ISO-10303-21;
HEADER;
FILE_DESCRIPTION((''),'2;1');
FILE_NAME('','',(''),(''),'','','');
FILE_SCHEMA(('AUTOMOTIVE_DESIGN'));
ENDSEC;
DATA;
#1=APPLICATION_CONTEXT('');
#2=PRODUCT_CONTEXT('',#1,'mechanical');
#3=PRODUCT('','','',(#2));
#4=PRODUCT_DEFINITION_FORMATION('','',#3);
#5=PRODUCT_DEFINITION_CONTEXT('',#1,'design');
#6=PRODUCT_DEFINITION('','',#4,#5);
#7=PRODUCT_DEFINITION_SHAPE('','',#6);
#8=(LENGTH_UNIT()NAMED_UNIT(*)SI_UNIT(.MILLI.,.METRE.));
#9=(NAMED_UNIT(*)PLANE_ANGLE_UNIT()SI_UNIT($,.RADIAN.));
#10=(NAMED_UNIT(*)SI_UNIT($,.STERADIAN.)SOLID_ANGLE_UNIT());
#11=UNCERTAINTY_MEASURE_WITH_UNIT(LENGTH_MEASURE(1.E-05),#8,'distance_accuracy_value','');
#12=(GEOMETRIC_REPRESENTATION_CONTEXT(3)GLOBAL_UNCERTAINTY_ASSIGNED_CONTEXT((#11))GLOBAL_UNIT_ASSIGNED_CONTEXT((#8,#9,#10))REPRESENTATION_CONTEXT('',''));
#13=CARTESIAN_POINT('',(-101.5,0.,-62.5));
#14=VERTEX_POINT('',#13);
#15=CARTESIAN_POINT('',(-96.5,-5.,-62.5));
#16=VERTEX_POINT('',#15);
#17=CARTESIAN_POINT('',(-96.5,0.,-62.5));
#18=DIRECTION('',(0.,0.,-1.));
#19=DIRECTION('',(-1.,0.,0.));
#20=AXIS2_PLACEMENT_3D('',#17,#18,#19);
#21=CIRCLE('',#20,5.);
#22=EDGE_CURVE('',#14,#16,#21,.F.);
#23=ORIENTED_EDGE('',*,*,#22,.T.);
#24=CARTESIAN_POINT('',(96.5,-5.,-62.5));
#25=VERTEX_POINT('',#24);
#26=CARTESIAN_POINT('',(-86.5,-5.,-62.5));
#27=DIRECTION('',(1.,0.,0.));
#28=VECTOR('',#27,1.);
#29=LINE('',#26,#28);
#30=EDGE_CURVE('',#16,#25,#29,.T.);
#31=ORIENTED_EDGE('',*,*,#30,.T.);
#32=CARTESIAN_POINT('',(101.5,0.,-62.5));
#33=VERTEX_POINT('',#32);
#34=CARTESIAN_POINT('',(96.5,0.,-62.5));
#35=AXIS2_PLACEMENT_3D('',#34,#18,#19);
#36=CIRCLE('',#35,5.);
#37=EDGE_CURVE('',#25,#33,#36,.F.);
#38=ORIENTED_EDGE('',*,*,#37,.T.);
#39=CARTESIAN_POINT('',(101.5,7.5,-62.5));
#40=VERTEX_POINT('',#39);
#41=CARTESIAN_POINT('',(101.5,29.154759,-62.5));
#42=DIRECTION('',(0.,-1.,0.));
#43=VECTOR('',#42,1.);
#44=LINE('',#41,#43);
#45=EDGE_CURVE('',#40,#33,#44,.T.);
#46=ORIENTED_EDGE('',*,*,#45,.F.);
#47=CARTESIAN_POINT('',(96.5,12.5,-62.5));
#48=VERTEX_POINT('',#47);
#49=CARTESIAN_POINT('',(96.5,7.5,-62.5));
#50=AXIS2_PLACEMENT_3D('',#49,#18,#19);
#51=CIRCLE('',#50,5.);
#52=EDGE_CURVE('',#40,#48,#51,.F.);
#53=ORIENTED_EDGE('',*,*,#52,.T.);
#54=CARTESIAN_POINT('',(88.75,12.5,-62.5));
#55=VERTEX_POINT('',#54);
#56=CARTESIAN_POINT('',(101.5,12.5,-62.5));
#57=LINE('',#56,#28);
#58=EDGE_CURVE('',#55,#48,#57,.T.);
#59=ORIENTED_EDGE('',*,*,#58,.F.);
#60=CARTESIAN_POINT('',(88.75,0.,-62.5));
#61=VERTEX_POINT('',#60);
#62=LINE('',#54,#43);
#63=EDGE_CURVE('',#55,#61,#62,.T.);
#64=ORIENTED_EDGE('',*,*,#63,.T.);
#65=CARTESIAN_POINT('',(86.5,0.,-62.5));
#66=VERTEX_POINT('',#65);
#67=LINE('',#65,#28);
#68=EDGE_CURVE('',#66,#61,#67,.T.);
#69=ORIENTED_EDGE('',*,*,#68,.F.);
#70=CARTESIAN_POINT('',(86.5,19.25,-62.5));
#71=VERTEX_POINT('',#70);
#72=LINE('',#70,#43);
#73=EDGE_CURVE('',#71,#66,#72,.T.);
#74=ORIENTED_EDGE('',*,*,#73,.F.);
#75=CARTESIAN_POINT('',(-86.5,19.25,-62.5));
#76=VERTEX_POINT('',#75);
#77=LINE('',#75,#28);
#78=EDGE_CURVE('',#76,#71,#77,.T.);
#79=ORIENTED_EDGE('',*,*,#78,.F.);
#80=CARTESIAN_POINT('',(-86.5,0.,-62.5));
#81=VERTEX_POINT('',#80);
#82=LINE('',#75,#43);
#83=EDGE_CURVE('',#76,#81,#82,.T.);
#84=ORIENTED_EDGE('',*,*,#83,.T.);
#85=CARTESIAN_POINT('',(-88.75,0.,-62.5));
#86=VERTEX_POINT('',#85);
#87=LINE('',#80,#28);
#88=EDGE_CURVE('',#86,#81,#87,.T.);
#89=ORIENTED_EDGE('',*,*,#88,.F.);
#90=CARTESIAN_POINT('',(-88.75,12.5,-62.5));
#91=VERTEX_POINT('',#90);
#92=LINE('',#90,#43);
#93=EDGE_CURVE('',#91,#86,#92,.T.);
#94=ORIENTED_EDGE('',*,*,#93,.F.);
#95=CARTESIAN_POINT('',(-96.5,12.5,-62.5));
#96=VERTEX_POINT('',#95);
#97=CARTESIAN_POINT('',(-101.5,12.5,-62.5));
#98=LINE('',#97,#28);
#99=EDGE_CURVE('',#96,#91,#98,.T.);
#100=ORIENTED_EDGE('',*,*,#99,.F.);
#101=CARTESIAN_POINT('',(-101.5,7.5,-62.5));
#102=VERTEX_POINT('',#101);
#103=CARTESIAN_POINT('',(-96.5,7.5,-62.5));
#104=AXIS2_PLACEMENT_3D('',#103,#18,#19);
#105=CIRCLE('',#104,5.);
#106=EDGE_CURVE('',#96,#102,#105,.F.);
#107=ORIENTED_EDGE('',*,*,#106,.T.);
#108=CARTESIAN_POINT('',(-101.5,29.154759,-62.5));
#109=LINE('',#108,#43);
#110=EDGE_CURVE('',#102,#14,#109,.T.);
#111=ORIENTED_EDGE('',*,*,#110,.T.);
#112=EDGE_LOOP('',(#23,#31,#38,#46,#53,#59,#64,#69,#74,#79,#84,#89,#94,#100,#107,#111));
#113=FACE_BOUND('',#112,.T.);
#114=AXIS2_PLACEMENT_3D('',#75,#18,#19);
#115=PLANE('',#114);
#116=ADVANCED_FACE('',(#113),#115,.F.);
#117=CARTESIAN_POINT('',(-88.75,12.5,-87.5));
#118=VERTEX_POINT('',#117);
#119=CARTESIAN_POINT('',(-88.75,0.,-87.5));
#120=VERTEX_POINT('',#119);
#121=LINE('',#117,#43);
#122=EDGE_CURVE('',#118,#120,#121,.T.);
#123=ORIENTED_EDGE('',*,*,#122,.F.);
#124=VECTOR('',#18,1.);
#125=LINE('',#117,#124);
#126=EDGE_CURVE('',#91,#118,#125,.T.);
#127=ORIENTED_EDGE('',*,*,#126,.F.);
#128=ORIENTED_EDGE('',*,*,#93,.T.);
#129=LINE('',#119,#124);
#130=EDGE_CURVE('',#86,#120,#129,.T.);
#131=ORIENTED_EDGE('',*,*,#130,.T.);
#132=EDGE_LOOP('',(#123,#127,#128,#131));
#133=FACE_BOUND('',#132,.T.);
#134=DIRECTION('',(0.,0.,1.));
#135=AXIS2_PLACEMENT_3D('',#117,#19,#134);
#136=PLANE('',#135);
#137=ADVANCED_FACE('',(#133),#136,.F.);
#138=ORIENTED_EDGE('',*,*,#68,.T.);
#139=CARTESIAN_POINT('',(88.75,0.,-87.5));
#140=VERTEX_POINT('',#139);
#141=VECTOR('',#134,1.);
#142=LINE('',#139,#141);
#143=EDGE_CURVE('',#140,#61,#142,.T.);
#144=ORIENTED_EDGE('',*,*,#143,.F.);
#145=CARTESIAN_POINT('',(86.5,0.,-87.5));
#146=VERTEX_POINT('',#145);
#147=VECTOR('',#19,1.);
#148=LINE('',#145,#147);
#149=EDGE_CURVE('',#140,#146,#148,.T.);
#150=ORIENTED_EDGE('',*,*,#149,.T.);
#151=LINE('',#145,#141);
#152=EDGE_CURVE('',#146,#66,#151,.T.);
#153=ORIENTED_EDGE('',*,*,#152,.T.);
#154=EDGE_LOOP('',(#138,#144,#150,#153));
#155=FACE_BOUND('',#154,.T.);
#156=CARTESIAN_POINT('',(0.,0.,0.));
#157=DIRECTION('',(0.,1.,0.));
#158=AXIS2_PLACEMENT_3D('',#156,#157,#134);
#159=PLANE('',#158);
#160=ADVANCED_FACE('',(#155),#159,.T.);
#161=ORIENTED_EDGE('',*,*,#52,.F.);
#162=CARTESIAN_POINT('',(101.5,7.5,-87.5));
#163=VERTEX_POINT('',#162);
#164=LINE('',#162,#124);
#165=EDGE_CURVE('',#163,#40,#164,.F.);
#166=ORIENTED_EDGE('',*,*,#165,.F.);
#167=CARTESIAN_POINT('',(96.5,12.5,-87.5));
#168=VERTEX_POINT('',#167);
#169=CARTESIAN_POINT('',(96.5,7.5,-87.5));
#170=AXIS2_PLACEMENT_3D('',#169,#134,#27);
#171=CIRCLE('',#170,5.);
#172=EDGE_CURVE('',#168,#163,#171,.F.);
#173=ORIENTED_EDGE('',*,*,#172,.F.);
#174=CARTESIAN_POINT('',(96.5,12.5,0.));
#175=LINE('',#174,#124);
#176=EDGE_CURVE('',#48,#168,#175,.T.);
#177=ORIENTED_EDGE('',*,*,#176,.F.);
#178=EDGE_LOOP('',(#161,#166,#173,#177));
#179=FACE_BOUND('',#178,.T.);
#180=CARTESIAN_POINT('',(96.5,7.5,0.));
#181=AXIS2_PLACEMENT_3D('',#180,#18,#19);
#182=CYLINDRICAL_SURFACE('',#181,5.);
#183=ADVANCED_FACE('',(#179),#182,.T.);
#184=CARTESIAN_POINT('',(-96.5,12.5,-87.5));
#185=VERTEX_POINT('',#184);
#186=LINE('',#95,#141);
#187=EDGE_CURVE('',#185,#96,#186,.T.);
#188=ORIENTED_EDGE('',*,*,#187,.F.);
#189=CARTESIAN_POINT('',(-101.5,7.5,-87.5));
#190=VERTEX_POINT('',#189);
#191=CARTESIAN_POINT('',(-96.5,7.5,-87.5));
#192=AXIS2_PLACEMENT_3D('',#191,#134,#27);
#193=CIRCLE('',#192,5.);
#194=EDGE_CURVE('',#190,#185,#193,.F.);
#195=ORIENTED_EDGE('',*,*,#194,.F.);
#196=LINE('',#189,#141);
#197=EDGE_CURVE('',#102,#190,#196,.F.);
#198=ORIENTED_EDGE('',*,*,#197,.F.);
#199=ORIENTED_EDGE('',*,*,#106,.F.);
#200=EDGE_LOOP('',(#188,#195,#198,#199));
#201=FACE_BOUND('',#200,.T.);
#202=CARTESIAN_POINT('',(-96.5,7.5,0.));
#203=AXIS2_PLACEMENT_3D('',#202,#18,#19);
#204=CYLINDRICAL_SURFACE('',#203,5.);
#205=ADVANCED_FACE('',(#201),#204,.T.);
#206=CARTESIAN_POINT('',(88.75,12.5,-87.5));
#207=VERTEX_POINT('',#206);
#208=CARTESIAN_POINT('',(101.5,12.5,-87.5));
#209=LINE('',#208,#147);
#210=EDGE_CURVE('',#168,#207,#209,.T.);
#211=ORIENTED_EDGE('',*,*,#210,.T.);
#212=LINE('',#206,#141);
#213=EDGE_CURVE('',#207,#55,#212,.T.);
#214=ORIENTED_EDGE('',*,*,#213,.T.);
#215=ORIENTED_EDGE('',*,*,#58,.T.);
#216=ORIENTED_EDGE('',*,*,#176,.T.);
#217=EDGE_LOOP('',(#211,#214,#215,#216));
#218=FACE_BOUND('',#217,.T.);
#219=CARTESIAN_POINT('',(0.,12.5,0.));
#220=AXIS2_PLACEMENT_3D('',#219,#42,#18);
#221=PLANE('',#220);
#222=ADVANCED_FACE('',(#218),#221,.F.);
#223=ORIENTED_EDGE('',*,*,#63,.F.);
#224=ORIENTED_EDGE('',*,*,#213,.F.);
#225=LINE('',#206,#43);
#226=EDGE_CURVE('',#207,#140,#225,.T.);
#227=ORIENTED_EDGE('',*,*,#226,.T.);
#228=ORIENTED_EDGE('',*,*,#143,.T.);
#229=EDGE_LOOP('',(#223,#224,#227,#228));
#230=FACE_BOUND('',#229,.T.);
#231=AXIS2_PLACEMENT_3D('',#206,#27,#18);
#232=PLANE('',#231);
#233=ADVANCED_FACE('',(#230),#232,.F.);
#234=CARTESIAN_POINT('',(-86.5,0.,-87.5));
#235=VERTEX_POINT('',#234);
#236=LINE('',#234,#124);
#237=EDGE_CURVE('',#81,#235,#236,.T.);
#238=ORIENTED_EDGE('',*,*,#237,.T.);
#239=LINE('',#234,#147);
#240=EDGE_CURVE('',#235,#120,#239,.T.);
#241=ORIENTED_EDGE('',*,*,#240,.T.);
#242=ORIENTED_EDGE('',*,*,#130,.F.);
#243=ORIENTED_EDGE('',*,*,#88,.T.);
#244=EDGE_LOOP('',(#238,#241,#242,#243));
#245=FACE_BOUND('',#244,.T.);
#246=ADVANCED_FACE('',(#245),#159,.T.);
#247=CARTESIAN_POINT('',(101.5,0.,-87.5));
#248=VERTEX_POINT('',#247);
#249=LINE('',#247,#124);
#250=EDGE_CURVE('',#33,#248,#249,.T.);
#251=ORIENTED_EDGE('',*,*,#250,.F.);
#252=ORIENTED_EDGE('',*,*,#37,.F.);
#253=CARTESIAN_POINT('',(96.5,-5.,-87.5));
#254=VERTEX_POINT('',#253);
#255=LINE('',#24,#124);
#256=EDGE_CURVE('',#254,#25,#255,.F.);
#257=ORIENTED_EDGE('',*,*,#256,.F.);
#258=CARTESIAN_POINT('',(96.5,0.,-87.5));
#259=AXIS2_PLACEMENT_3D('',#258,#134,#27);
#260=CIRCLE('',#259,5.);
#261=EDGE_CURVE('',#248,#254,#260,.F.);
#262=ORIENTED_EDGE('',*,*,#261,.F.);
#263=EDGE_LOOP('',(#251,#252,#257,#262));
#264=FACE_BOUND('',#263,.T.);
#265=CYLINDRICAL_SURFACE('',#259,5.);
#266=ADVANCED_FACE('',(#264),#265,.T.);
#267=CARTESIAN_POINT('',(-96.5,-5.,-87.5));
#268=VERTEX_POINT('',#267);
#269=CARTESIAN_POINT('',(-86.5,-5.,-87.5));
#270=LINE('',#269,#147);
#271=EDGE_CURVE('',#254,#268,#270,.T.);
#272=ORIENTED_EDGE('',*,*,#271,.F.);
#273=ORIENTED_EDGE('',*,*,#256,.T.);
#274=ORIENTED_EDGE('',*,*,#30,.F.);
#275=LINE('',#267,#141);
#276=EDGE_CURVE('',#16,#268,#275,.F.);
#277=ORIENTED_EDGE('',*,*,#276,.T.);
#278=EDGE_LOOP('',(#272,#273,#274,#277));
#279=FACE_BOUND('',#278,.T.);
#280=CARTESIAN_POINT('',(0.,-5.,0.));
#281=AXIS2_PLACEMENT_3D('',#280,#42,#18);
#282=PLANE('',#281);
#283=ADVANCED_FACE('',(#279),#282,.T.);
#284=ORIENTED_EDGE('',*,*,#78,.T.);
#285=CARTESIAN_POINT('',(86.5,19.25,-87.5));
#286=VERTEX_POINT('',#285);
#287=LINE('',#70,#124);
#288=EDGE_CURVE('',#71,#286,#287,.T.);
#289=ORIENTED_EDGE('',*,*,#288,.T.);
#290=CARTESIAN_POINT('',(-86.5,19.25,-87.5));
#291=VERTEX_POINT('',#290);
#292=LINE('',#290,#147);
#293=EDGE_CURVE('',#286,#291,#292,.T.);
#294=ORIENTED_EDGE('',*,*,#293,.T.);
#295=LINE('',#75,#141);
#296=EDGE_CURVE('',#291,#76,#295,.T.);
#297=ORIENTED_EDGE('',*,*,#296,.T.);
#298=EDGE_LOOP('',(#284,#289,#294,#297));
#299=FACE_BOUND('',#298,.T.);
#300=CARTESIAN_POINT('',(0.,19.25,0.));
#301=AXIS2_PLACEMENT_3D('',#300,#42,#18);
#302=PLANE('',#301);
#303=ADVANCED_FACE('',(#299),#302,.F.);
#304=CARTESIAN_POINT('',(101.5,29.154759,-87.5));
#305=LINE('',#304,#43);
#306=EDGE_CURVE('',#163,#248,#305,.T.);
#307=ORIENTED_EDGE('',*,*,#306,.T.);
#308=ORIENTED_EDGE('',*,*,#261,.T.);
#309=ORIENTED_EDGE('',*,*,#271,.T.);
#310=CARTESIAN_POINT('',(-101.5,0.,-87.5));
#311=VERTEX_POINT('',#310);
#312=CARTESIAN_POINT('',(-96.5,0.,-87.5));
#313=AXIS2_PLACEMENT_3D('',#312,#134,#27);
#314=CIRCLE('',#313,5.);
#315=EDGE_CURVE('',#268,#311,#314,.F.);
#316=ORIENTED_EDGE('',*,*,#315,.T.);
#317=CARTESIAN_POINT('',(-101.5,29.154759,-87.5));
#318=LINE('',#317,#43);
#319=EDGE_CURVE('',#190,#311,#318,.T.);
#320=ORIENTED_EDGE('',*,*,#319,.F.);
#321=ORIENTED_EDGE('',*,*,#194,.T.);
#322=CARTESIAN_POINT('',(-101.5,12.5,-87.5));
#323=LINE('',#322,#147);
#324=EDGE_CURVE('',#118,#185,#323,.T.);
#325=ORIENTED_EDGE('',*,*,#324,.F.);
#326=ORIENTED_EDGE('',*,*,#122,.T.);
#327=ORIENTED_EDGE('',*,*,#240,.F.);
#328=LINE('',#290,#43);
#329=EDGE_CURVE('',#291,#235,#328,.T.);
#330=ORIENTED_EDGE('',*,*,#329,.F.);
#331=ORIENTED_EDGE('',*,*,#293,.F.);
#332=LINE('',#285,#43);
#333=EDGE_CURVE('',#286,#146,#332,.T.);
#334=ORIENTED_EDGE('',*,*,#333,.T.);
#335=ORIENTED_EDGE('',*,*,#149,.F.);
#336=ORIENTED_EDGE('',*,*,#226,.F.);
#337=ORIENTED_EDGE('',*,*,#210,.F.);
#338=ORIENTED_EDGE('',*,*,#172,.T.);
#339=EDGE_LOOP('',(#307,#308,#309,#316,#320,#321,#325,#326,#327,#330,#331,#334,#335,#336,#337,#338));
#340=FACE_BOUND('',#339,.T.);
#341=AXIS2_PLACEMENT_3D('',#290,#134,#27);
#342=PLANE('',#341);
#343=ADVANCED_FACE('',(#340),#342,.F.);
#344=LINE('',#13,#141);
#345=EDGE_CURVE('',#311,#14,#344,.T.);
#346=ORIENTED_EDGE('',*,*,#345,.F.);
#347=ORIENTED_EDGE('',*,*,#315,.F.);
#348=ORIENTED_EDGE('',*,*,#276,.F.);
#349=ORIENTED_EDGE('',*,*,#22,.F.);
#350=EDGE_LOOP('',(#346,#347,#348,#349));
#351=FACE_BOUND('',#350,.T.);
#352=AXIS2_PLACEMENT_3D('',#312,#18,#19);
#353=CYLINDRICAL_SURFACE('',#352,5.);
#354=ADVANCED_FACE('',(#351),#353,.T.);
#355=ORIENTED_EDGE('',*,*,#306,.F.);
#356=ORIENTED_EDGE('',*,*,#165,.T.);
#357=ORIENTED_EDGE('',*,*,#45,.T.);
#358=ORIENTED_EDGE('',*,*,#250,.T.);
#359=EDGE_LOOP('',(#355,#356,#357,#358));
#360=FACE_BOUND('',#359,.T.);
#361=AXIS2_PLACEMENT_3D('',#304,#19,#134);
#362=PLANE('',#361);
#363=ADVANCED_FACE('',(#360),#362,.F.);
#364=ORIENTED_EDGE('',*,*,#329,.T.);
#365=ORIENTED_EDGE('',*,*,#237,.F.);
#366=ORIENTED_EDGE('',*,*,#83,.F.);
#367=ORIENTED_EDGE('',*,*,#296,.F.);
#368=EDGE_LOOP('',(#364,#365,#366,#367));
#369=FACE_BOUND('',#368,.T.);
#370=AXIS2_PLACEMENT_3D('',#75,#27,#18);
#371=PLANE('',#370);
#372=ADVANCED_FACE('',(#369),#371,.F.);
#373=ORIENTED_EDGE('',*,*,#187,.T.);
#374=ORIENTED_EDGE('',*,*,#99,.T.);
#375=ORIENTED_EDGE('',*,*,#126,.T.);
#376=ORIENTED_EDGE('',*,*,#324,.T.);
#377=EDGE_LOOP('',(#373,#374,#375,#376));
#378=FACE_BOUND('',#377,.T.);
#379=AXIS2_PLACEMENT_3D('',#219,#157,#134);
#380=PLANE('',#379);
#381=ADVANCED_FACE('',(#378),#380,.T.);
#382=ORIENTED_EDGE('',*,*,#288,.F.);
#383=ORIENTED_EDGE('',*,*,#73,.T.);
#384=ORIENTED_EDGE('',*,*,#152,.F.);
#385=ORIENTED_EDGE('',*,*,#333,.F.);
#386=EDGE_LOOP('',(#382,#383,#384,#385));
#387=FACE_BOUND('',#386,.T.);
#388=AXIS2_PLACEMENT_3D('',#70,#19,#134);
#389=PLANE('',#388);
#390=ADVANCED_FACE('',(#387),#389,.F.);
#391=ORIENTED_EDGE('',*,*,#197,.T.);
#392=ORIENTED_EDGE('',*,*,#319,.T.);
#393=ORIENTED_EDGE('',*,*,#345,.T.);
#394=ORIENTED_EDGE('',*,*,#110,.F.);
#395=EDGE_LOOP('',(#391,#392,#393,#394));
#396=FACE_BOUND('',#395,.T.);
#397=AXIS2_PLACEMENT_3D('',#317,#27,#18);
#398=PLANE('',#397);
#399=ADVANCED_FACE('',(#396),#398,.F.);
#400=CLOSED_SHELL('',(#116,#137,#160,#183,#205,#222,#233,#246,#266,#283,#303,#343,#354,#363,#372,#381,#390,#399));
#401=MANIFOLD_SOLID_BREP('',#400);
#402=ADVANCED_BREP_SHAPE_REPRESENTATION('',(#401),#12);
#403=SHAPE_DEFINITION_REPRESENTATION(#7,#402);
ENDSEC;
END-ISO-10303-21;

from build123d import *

# Parameters (mm, degrees)
BOSS_EXTRUDE1_DEPTH      = 19.25
BOSS_EXTRUDE1_DEPTH_BACK = 5
SKETCH1_W                = 173
SKETCH1_H                = 25
SKETCH2_W                = 15
SKETCH2_H                = 25
BOSS_EXTRUDE2_DEPTH      = 5
SKETCH3_W                = 12.75
SKETCH3_H                = 25
BOSS_EXTRUDE3_DEPTH      = 12.5
FILLET1_R                = 5


with BuildPart() as part:
    # Sketch1 → Boss-Extrude1 (new, two sides: drawn at the far end of the back side and taken through both)
    with BuildSketch(Plane(origin=(0, 0, 0), x_dir=(1, 0, 0), z_dir=(0, 1, 0)).offset(-BOSS_EXTRUDE1_DEPTH_BACK)):
        with Locations((0, 75)):
            Rectangle(SKETCH1_W, SKETCH1_H)
    extrude(amount=BOSS_EXTRUDE1_DEPTH + BOSS_EXTRUDE1_DEPTH_BACK)

    # Sketch2 → Boss-Extrude2 (add)
    with BuildSketch(Plane(origin=(0, -5, 0), x_dir=(1, 0, 0), z_dir=(0, 1, 0))):
        with Locations((-94, 75)):
            Rectangle(SKETCH2_W, SKETCH2_H)
        with Locations((94, 75)):
            Rectangle(SKETCH2_W, SKETCH2_H)
    extrude(amount=BOSS_EXTRUDE2_DEPTH)

    # Sketch3 → Boss-Extrude3 (add)
    with BuildSketch(Plane(origin=(0, 0, 0), x_dir=(1, 0, 0), z_dir=(0, 1, 0))):
        with Locations((-95.125, 75)):
            Rectangle(SKETCH3_W, SKETCH3_H)
        with Locations((95.125, 75)):
            Rectangle(SKETCH3_W, SKETCH3_H)
    extrude(amount=BOSS_EXTRUDE3_DEPTH)

    # Fillet1
    fillet1_edges = [part.edges().sort_by_distance(p)[0] for p in [
        (-101.5, -5, -75),
        (101.5, -5, -75),
        (-101.5, 12.5, -75),
        (101.5, 12.5, -75),
    ]]
    fillet(fillet1_edges, radius=FILLET1_R)


solid = part.part
